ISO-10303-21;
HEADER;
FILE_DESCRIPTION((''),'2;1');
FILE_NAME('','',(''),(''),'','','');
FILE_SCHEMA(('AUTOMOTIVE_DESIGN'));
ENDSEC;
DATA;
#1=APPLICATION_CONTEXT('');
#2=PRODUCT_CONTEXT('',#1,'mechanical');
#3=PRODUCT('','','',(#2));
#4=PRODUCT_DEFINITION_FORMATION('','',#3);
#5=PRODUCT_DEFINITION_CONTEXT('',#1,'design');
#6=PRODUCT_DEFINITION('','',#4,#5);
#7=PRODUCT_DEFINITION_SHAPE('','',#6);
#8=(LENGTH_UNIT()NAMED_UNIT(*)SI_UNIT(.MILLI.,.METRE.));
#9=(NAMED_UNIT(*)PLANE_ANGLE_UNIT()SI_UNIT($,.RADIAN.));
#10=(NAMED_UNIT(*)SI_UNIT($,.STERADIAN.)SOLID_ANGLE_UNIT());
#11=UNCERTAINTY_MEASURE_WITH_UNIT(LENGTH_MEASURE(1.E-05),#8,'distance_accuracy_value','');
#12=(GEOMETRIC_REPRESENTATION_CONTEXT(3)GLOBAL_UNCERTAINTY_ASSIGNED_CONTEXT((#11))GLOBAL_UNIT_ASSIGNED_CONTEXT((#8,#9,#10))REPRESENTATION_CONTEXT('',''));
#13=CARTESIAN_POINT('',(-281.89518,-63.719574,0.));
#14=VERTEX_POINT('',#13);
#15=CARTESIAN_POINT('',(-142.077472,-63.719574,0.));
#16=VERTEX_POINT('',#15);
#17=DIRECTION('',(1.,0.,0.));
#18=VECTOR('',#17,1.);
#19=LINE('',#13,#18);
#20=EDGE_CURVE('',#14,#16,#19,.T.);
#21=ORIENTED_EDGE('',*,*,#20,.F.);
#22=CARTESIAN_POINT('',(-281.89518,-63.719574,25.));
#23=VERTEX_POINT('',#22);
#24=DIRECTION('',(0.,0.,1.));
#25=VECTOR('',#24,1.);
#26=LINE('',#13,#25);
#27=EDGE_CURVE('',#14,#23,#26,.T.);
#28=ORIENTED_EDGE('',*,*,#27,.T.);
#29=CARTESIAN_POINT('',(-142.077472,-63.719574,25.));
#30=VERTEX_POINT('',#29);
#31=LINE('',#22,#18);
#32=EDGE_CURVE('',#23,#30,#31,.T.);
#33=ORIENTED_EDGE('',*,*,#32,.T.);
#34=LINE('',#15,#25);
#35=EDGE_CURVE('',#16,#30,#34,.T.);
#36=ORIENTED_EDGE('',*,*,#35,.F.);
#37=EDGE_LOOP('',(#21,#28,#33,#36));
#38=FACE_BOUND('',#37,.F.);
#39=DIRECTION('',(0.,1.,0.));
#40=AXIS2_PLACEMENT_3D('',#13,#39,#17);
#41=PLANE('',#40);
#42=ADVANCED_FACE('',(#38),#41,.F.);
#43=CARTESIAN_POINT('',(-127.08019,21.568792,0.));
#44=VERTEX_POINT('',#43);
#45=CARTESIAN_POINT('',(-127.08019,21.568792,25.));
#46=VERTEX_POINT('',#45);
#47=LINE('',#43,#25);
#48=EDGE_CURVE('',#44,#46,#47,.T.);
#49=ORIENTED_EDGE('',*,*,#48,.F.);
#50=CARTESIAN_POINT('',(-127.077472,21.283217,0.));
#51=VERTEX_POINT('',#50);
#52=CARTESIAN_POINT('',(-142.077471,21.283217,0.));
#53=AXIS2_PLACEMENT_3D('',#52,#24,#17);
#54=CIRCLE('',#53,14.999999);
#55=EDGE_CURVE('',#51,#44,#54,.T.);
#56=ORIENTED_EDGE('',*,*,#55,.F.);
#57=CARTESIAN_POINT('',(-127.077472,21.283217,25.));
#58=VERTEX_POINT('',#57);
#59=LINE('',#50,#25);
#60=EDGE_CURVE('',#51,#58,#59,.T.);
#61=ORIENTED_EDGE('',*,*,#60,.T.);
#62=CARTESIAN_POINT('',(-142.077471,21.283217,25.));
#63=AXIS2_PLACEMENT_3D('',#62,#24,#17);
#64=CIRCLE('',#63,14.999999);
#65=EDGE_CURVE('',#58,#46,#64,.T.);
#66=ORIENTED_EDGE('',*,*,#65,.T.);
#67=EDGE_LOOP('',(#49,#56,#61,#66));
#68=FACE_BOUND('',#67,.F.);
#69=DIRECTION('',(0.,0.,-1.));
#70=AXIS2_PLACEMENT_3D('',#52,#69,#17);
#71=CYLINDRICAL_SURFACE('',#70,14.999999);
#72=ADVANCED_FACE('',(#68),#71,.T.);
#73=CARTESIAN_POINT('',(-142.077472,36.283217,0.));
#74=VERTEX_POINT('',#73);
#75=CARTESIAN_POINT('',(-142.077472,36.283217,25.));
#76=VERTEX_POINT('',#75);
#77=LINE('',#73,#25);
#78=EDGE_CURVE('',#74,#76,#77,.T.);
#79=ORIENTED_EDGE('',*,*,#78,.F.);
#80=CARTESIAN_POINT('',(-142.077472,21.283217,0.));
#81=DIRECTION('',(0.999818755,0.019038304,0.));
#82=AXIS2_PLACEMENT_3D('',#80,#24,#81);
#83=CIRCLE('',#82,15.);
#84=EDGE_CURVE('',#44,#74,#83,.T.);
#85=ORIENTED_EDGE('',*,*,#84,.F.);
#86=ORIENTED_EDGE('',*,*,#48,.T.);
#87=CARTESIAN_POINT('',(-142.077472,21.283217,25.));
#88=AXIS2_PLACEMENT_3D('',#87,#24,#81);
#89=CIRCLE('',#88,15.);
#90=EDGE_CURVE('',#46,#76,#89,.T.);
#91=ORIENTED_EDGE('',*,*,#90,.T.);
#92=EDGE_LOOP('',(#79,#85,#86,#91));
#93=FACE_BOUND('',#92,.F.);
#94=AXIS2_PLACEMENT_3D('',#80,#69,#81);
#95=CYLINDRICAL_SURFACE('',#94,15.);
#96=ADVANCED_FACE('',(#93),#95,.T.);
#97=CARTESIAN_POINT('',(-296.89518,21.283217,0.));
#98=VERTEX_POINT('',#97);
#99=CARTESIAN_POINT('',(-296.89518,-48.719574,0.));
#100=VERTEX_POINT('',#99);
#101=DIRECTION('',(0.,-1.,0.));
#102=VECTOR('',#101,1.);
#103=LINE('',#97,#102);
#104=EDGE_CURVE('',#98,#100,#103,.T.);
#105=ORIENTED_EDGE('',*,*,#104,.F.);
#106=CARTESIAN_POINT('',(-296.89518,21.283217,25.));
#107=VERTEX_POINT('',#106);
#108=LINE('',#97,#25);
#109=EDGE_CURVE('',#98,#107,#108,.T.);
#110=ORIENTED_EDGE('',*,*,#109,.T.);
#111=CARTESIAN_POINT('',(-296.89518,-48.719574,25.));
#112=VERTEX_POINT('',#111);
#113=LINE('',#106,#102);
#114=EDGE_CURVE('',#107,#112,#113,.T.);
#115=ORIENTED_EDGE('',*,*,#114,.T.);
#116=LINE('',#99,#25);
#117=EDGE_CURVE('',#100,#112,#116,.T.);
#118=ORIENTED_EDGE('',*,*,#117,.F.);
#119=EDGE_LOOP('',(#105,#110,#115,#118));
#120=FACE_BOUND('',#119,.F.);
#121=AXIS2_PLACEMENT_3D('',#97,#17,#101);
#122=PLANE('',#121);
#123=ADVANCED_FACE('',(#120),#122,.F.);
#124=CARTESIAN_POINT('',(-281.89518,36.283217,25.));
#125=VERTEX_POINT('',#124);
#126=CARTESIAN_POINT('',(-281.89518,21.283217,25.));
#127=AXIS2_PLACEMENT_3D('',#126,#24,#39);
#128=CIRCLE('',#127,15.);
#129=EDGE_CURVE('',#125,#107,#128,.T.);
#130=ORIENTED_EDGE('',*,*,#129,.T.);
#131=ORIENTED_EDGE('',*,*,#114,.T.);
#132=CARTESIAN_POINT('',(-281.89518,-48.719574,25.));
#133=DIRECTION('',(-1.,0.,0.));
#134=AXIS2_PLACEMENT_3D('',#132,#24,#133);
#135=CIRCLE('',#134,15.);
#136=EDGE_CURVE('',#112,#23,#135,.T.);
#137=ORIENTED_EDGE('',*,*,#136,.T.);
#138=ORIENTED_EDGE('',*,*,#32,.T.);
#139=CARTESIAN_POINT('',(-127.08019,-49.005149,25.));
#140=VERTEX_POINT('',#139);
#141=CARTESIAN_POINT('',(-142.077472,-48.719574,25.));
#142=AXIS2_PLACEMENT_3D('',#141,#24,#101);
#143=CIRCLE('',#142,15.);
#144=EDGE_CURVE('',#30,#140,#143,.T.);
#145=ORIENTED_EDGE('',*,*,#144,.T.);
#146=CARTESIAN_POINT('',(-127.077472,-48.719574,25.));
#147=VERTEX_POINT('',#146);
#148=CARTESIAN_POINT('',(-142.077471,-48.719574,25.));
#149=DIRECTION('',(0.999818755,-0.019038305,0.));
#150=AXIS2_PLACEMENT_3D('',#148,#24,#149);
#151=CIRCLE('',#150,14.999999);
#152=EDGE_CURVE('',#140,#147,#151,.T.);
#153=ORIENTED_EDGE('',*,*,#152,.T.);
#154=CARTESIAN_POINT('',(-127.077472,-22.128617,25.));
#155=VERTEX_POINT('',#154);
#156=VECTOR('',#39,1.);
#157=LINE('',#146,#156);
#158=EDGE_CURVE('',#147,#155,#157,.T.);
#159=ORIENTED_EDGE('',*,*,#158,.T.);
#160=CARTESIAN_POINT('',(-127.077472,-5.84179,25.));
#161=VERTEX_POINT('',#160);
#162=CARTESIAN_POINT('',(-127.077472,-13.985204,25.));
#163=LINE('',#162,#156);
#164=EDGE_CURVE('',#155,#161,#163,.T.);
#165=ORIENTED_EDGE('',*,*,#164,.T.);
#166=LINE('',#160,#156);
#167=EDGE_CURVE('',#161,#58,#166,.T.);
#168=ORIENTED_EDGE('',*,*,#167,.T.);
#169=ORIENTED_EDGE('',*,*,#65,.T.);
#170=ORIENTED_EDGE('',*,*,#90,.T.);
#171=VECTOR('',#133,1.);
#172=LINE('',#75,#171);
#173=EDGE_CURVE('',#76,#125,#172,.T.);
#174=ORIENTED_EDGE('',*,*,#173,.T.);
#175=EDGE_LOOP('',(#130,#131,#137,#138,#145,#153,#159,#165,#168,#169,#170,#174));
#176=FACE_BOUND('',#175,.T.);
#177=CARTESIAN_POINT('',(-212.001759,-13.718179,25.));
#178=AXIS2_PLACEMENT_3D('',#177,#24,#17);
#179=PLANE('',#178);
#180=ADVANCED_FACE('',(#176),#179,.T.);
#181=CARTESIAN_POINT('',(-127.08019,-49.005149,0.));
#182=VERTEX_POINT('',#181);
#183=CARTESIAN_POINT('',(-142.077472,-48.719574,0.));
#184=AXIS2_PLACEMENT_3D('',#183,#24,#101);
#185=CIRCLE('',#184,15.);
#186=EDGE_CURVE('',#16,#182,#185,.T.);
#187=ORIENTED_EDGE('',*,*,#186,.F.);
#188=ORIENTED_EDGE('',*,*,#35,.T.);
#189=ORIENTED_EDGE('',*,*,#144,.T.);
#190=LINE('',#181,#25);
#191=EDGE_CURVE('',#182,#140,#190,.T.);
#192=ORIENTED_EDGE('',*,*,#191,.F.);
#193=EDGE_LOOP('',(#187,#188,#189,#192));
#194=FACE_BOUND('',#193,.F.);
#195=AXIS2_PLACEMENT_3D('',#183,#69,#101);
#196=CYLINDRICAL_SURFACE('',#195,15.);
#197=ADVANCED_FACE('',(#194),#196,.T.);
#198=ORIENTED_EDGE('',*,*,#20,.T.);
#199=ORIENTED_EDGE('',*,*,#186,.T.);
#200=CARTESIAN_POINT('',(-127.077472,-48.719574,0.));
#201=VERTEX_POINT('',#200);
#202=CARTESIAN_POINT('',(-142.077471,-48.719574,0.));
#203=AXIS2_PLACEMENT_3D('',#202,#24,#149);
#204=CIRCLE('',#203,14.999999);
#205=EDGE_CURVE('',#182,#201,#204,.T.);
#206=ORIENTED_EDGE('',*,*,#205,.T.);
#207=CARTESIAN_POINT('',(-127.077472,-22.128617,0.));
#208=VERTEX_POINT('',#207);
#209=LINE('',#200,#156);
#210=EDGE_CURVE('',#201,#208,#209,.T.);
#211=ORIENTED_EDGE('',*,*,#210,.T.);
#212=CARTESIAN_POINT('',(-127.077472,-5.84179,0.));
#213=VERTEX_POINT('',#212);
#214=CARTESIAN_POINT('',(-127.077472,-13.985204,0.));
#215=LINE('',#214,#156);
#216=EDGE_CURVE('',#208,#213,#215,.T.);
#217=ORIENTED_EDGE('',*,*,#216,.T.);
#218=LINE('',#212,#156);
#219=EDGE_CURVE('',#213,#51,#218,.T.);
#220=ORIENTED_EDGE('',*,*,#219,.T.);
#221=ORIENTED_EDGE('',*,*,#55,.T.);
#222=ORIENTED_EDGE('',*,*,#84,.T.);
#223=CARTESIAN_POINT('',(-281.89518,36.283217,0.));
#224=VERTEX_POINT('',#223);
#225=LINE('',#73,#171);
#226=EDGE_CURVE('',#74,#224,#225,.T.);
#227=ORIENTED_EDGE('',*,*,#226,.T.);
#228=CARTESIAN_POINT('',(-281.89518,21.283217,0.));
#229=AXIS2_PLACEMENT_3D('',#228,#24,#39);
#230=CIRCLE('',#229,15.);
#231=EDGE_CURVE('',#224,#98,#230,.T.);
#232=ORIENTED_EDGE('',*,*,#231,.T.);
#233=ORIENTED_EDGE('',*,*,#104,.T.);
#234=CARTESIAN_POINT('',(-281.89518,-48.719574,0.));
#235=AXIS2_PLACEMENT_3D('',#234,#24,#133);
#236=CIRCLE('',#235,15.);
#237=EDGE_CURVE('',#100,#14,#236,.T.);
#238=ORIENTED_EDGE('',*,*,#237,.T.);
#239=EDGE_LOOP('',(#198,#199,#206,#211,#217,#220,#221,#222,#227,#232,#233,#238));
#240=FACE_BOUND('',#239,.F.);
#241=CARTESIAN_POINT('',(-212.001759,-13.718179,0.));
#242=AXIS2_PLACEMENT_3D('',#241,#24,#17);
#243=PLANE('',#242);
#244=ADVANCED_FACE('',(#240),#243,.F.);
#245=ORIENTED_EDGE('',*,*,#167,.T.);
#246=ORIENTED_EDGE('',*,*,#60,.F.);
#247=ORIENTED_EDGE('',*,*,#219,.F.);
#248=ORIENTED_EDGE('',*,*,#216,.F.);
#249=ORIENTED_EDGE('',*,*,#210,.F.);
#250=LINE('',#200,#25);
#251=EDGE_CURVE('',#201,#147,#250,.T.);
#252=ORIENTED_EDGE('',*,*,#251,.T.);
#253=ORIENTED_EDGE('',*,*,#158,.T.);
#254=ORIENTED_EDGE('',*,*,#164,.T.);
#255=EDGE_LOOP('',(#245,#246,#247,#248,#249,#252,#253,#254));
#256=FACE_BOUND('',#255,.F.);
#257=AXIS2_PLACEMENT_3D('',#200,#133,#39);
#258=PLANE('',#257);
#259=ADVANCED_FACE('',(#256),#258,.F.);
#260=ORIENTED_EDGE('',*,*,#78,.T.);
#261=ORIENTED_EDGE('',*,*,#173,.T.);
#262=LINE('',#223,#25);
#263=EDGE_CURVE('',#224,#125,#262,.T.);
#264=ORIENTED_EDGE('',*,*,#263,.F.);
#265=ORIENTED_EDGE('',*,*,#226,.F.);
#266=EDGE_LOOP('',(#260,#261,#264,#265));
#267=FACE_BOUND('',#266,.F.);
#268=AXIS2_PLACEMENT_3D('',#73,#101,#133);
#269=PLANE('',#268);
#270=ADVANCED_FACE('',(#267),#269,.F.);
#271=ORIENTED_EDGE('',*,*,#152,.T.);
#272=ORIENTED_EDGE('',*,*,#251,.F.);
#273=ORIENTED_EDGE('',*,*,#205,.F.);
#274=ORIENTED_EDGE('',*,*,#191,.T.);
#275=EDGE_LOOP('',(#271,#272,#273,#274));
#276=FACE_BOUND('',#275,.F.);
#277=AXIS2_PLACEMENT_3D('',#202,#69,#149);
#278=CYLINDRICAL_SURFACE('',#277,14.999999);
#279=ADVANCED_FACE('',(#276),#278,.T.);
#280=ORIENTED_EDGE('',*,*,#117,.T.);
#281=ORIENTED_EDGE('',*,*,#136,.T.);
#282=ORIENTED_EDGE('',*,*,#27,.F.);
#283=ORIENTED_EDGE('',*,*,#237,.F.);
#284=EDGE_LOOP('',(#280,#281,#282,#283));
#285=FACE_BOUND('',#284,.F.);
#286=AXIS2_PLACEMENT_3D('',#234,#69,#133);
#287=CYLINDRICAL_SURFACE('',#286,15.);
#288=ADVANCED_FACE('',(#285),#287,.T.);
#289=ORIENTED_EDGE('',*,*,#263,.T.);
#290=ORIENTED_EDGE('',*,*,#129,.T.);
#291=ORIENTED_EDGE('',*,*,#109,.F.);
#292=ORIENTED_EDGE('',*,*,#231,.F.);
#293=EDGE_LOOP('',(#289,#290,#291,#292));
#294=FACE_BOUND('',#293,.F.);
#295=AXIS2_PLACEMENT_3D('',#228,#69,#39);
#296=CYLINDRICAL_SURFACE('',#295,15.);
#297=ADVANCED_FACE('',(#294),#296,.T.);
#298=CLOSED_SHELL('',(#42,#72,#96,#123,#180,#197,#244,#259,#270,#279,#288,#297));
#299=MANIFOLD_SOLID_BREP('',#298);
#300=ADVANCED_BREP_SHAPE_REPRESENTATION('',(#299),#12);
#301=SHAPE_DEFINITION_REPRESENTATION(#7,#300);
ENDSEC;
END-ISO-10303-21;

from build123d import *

# Parameters (mm, degrees)
F0_W     = 27.1898097297
F0_H     = 16.2868271582
F1_DEPTH = 25


with BuildPart() as f1:
    # F0 (on Top) → F1 (new body)
    with BuildSketch(Plane.XY):
        with BuildLine():
            ThreePointArc((-296.8951798975, -48.7195744038), (-292.5017816153, -59.3261761216), (-281.8951798975, -63.7195744038))
            Line((-281.8951798975, -63.7195744038), (-142.0774715642, -63.7195744038))
            ThreePointArc((-142.0774715642, -63.7195744038), (-131.5723208853, -59.4266659422), (-127.0801902383, -49.0051489655))
            ThreePointArc((-127.0801902383, -49.0051489655), (-162.3644421178, -13.7181785166), (-127.0801902383, 21.5687919322))
            ThreePointArc((-127.0801902383, 21.5687919322), (-131.5723208853, 31.990308909), (-142.0774715642, 36.2832173705))
            Line((-142.0774715642, 36.2832173705), (-281.8951798975, 36.2832173705))
            ThreePointArc((-281.8951798975, 36.2832173705), (-292.5017816153, 31.8898190883), (-296.8951798975, 21.2832173705))
            Line((-296.8951798975, 21.2832173705), (-296.8951798975, 21.2820385972))
            ThreePointArc((-296.8951798975, 21.2820385972), (-261.8949627837, -13.7181785166), (-296.8951798975, -48.7183956304))
            Line((-296.8951798975, -48.7183956304), (-296.8951798975, -48.7195744038))
        make_face()
        Polygon((-296.8951798975, -21.1222618818), (-296.8951798975, -22.4110819399), (-274.3184268475, -22.4110819399), (-274.3184268475, -5.8417902328), (-296.8951798975, -5.8417902328), align=None)
        with Locations((-140.672376429, -13.9852038119)):
            Rectangle(F0_W, F0_H)
        with BuildLine():
            Line((-296.8951798975, -35.9437018633), (-296.8951798975, -48.7183956304))
            ThreePointArc((-296.8951798975, -48.7183956304), (-261.8949627837, -13.7181785166), (-296.8951798975, 21.2820385972))
            Line((-296.8951798975, 21.2820385972), (-296.8951798975, 0))
            Line((-296.8951798975, 0), (-296.8951798975, -5.8417902328))
            Line((-296.8951798975, -5.8417902328), (-274.3184268475, -5.8417902328))
            Line((-274.3184268475, -5.8417902328), (-274.3184268475, -22.4110819399))
            Line((-274.3184268475, -22.4110819399), (-296.8951798975, -22.4110819399))
            Line((-296.8951798975, -22.4110819399), (-296.8951798975, -35.9437018633))
        make_face()
        with BuildLine():
            ThreePointArc((-127.0801902383, 21.5687919322), (-162.3644421178, -13.7181785166), (-127.0801902383, -49.0051489655))
            ThreePointArc((-127.0801902383, -49.0051489655), (-127.0781512481, -48.8623681549), (-127.0774715642, -48.7195744038))
            Line((-127.0774715642, -48.7195744038), (-127.0774715642, -36.2968184054))
            Line((-127.0774715642, -36.2968184054), (-127.0774715642, -22.4110819399))
            Line((-127.0774715642, -22.4110819399), (-127.0774715642, -22.128617391))
            Line((-127.0774715642, -22.128617391), (-154.2672812939, -22.128617391))
            Line((-154.2672812939, -22.128617391), (-154.2672812939, -5.8417902328))
            Line((-154.2672812939, -5.8417902328), (-127.0774715642, -5.8417902328))
            Line((-127.0774715642, -5.8417902328), (-127.0774715642, 21.2832173705))
            ThreePointArc((-127.0774715642, 21.2832173705), (-127.0781512481, 21.4260111217), (-127.0801902383, 21.5687919322))
        make_face()
    extrude(amount=F1_DEPTH)


solid = f1.part
